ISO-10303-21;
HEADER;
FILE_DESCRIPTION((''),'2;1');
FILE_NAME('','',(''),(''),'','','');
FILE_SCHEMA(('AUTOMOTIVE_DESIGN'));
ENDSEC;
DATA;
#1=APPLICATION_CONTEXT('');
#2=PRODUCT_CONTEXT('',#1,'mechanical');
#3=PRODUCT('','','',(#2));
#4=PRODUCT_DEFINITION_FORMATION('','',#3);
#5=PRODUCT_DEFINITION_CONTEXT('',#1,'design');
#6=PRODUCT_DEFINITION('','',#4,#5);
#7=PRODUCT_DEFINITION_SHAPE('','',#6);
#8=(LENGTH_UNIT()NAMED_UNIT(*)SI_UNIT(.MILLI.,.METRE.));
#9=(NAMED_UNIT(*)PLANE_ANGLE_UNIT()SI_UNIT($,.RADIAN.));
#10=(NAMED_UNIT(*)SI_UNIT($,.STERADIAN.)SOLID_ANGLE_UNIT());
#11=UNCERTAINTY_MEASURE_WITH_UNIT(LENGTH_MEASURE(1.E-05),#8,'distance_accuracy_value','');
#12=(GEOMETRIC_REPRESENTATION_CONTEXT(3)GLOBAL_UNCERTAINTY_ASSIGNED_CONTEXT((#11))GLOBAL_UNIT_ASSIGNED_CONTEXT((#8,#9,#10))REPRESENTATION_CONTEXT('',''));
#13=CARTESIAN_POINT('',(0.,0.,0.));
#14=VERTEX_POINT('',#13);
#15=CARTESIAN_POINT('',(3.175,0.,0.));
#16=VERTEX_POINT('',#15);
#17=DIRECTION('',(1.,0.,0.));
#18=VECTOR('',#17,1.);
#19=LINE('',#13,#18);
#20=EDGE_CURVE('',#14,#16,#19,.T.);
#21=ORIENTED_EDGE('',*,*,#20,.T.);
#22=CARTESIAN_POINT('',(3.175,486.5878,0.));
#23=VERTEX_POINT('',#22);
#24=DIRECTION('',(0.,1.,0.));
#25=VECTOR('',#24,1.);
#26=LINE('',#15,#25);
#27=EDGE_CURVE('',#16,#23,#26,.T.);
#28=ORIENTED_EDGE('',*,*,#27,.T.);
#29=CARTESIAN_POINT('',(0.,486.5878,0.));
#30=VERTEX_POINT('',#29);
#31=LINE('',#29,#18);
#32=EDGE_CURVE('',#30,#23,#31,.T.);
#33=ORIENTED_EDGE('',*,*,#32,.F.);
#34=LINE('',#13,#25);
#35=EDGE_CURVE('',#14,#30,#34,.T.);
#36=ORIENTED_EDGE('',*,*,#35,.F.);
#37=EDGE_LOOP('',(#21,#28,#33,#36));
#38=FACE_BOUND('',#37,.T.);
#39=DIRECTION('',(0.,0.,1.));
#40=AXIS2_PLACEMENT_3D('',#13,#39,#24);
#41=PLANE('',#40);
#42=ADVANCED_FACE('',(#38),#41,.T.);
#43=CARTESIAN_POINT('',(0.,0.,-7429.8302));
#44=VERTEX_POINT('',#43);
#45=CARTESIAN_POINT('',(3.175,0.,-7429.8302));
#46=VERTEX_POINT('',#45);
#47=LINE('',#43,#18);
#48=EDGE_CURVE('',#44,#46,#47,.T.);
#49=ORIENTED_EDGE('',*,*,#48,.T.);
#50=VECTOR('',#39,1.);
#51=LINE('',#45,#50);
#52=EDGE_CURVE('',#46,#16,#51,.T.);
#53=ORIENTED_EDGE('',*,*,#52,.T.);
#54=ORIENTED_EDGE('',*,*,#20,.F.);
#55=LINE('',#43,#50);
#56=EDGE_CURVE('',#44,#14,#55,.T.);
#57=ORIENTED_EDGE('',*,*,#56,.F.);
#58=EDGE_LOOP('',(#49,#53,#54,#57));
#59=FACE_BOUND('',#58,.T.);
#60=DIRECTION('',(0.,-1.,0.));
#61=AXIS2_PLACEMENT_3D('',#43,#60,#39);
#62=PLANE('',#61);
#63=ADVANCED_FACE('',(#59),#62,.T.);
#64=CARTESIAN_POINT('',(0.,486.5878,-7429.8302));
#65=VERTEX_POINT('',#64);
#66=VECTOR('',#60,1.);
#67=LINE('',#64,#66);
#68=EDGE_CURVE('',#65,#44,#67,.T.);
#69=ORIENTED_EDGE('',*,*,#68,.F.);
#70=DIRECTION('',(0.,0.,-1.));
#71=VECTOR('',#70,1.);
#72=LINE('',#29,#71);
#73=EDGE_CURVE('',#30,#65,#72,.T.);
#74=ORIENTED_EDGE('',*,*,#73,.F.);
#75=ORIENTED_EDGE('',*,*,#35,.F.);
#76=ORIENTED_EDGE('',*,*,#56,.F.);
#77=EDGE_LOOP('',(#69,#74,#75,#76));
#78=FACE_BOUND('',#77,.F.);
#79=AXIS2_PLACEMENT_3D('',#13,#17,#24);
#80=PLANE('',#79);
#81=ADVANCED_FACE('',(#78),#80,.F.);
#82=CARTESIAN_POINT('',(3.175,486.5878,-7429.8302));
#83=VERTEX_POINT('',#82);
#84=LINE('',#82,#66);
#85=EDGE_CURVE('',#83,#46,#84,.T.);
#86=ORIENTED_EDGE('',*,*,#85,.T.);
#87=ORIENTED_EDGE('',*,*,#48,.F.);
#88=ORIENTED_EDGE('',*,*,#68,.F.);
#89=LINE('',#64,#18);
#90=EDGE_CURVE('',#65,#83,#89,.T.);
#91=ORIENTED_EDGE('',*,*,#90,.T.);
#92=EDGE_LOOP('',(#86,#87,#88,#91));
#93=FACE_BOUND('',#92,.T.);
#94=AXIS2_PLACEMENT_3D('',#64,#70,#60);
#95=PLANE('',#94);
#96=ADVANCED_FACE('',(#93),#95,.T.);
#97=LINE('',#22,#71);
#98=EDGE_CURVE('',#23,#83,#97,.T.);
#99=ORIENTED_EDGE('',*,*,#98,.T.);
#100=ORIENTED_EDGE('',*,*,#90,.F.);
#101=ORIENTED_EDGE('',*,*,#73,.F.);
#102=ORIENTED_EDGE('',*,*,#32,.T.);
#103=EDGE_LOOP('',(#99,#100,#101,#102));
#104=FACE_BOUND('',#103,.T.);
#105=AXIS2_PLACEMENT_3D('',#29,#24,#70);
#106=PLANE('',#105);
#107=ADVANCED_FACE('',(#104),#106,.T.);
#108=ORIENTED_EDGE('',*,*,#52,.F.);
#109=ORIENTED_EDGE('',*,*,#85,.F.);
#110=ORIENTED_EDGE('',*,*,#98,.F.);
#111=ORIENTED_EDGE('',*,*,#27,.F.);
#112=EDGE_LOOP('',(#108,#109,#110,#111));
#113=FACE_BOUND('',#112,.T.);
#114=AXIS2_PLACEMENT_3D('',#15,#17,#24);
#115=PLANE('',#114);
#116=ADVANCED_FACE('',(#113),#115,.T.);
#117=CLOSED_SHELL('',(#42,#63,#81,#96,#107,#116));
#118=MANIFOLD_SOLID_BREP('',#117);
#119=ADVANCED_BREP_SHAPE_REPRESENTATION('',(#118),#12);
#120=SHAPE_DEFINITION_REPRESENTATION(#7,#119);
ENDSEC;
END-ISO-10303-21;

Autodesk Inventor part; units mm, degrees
ref_plane "YZ Plane" through (0, 0, 0) normal (1, 0, 0) x (0, 1, 0)
ref_plane "XZ Plane" through (0, 0, 0) normal (0, 1, 0) x (-1, 0, 0)
ref_plane "XY Plane" through (0, 0, 0) normal (0, 0, 1) x (1, 0, 0)
sketch "Sketch1" plane through (0, 0, 0) normal (1, 0, 0) x (0, 1, 0)
  line L0 (0, 0) -> (486.5878, 0)
  line L1 (486.5878, 0) -> (486.5878, -7429.8302)
  line L2 (486.5878, -7429.8302) -> (0, -7429.8302)
  line L3 (0, -7429.8302) -> (0, 0)
  dimension "d4" = 7429.8302
  dimension "d5" = 486.5878
extrude "Extrusion1" add sketch "Sketch1" along normal blind 3.175
properties part number "Underlayment_For_Roof_With_Width_17.315_Inches"
